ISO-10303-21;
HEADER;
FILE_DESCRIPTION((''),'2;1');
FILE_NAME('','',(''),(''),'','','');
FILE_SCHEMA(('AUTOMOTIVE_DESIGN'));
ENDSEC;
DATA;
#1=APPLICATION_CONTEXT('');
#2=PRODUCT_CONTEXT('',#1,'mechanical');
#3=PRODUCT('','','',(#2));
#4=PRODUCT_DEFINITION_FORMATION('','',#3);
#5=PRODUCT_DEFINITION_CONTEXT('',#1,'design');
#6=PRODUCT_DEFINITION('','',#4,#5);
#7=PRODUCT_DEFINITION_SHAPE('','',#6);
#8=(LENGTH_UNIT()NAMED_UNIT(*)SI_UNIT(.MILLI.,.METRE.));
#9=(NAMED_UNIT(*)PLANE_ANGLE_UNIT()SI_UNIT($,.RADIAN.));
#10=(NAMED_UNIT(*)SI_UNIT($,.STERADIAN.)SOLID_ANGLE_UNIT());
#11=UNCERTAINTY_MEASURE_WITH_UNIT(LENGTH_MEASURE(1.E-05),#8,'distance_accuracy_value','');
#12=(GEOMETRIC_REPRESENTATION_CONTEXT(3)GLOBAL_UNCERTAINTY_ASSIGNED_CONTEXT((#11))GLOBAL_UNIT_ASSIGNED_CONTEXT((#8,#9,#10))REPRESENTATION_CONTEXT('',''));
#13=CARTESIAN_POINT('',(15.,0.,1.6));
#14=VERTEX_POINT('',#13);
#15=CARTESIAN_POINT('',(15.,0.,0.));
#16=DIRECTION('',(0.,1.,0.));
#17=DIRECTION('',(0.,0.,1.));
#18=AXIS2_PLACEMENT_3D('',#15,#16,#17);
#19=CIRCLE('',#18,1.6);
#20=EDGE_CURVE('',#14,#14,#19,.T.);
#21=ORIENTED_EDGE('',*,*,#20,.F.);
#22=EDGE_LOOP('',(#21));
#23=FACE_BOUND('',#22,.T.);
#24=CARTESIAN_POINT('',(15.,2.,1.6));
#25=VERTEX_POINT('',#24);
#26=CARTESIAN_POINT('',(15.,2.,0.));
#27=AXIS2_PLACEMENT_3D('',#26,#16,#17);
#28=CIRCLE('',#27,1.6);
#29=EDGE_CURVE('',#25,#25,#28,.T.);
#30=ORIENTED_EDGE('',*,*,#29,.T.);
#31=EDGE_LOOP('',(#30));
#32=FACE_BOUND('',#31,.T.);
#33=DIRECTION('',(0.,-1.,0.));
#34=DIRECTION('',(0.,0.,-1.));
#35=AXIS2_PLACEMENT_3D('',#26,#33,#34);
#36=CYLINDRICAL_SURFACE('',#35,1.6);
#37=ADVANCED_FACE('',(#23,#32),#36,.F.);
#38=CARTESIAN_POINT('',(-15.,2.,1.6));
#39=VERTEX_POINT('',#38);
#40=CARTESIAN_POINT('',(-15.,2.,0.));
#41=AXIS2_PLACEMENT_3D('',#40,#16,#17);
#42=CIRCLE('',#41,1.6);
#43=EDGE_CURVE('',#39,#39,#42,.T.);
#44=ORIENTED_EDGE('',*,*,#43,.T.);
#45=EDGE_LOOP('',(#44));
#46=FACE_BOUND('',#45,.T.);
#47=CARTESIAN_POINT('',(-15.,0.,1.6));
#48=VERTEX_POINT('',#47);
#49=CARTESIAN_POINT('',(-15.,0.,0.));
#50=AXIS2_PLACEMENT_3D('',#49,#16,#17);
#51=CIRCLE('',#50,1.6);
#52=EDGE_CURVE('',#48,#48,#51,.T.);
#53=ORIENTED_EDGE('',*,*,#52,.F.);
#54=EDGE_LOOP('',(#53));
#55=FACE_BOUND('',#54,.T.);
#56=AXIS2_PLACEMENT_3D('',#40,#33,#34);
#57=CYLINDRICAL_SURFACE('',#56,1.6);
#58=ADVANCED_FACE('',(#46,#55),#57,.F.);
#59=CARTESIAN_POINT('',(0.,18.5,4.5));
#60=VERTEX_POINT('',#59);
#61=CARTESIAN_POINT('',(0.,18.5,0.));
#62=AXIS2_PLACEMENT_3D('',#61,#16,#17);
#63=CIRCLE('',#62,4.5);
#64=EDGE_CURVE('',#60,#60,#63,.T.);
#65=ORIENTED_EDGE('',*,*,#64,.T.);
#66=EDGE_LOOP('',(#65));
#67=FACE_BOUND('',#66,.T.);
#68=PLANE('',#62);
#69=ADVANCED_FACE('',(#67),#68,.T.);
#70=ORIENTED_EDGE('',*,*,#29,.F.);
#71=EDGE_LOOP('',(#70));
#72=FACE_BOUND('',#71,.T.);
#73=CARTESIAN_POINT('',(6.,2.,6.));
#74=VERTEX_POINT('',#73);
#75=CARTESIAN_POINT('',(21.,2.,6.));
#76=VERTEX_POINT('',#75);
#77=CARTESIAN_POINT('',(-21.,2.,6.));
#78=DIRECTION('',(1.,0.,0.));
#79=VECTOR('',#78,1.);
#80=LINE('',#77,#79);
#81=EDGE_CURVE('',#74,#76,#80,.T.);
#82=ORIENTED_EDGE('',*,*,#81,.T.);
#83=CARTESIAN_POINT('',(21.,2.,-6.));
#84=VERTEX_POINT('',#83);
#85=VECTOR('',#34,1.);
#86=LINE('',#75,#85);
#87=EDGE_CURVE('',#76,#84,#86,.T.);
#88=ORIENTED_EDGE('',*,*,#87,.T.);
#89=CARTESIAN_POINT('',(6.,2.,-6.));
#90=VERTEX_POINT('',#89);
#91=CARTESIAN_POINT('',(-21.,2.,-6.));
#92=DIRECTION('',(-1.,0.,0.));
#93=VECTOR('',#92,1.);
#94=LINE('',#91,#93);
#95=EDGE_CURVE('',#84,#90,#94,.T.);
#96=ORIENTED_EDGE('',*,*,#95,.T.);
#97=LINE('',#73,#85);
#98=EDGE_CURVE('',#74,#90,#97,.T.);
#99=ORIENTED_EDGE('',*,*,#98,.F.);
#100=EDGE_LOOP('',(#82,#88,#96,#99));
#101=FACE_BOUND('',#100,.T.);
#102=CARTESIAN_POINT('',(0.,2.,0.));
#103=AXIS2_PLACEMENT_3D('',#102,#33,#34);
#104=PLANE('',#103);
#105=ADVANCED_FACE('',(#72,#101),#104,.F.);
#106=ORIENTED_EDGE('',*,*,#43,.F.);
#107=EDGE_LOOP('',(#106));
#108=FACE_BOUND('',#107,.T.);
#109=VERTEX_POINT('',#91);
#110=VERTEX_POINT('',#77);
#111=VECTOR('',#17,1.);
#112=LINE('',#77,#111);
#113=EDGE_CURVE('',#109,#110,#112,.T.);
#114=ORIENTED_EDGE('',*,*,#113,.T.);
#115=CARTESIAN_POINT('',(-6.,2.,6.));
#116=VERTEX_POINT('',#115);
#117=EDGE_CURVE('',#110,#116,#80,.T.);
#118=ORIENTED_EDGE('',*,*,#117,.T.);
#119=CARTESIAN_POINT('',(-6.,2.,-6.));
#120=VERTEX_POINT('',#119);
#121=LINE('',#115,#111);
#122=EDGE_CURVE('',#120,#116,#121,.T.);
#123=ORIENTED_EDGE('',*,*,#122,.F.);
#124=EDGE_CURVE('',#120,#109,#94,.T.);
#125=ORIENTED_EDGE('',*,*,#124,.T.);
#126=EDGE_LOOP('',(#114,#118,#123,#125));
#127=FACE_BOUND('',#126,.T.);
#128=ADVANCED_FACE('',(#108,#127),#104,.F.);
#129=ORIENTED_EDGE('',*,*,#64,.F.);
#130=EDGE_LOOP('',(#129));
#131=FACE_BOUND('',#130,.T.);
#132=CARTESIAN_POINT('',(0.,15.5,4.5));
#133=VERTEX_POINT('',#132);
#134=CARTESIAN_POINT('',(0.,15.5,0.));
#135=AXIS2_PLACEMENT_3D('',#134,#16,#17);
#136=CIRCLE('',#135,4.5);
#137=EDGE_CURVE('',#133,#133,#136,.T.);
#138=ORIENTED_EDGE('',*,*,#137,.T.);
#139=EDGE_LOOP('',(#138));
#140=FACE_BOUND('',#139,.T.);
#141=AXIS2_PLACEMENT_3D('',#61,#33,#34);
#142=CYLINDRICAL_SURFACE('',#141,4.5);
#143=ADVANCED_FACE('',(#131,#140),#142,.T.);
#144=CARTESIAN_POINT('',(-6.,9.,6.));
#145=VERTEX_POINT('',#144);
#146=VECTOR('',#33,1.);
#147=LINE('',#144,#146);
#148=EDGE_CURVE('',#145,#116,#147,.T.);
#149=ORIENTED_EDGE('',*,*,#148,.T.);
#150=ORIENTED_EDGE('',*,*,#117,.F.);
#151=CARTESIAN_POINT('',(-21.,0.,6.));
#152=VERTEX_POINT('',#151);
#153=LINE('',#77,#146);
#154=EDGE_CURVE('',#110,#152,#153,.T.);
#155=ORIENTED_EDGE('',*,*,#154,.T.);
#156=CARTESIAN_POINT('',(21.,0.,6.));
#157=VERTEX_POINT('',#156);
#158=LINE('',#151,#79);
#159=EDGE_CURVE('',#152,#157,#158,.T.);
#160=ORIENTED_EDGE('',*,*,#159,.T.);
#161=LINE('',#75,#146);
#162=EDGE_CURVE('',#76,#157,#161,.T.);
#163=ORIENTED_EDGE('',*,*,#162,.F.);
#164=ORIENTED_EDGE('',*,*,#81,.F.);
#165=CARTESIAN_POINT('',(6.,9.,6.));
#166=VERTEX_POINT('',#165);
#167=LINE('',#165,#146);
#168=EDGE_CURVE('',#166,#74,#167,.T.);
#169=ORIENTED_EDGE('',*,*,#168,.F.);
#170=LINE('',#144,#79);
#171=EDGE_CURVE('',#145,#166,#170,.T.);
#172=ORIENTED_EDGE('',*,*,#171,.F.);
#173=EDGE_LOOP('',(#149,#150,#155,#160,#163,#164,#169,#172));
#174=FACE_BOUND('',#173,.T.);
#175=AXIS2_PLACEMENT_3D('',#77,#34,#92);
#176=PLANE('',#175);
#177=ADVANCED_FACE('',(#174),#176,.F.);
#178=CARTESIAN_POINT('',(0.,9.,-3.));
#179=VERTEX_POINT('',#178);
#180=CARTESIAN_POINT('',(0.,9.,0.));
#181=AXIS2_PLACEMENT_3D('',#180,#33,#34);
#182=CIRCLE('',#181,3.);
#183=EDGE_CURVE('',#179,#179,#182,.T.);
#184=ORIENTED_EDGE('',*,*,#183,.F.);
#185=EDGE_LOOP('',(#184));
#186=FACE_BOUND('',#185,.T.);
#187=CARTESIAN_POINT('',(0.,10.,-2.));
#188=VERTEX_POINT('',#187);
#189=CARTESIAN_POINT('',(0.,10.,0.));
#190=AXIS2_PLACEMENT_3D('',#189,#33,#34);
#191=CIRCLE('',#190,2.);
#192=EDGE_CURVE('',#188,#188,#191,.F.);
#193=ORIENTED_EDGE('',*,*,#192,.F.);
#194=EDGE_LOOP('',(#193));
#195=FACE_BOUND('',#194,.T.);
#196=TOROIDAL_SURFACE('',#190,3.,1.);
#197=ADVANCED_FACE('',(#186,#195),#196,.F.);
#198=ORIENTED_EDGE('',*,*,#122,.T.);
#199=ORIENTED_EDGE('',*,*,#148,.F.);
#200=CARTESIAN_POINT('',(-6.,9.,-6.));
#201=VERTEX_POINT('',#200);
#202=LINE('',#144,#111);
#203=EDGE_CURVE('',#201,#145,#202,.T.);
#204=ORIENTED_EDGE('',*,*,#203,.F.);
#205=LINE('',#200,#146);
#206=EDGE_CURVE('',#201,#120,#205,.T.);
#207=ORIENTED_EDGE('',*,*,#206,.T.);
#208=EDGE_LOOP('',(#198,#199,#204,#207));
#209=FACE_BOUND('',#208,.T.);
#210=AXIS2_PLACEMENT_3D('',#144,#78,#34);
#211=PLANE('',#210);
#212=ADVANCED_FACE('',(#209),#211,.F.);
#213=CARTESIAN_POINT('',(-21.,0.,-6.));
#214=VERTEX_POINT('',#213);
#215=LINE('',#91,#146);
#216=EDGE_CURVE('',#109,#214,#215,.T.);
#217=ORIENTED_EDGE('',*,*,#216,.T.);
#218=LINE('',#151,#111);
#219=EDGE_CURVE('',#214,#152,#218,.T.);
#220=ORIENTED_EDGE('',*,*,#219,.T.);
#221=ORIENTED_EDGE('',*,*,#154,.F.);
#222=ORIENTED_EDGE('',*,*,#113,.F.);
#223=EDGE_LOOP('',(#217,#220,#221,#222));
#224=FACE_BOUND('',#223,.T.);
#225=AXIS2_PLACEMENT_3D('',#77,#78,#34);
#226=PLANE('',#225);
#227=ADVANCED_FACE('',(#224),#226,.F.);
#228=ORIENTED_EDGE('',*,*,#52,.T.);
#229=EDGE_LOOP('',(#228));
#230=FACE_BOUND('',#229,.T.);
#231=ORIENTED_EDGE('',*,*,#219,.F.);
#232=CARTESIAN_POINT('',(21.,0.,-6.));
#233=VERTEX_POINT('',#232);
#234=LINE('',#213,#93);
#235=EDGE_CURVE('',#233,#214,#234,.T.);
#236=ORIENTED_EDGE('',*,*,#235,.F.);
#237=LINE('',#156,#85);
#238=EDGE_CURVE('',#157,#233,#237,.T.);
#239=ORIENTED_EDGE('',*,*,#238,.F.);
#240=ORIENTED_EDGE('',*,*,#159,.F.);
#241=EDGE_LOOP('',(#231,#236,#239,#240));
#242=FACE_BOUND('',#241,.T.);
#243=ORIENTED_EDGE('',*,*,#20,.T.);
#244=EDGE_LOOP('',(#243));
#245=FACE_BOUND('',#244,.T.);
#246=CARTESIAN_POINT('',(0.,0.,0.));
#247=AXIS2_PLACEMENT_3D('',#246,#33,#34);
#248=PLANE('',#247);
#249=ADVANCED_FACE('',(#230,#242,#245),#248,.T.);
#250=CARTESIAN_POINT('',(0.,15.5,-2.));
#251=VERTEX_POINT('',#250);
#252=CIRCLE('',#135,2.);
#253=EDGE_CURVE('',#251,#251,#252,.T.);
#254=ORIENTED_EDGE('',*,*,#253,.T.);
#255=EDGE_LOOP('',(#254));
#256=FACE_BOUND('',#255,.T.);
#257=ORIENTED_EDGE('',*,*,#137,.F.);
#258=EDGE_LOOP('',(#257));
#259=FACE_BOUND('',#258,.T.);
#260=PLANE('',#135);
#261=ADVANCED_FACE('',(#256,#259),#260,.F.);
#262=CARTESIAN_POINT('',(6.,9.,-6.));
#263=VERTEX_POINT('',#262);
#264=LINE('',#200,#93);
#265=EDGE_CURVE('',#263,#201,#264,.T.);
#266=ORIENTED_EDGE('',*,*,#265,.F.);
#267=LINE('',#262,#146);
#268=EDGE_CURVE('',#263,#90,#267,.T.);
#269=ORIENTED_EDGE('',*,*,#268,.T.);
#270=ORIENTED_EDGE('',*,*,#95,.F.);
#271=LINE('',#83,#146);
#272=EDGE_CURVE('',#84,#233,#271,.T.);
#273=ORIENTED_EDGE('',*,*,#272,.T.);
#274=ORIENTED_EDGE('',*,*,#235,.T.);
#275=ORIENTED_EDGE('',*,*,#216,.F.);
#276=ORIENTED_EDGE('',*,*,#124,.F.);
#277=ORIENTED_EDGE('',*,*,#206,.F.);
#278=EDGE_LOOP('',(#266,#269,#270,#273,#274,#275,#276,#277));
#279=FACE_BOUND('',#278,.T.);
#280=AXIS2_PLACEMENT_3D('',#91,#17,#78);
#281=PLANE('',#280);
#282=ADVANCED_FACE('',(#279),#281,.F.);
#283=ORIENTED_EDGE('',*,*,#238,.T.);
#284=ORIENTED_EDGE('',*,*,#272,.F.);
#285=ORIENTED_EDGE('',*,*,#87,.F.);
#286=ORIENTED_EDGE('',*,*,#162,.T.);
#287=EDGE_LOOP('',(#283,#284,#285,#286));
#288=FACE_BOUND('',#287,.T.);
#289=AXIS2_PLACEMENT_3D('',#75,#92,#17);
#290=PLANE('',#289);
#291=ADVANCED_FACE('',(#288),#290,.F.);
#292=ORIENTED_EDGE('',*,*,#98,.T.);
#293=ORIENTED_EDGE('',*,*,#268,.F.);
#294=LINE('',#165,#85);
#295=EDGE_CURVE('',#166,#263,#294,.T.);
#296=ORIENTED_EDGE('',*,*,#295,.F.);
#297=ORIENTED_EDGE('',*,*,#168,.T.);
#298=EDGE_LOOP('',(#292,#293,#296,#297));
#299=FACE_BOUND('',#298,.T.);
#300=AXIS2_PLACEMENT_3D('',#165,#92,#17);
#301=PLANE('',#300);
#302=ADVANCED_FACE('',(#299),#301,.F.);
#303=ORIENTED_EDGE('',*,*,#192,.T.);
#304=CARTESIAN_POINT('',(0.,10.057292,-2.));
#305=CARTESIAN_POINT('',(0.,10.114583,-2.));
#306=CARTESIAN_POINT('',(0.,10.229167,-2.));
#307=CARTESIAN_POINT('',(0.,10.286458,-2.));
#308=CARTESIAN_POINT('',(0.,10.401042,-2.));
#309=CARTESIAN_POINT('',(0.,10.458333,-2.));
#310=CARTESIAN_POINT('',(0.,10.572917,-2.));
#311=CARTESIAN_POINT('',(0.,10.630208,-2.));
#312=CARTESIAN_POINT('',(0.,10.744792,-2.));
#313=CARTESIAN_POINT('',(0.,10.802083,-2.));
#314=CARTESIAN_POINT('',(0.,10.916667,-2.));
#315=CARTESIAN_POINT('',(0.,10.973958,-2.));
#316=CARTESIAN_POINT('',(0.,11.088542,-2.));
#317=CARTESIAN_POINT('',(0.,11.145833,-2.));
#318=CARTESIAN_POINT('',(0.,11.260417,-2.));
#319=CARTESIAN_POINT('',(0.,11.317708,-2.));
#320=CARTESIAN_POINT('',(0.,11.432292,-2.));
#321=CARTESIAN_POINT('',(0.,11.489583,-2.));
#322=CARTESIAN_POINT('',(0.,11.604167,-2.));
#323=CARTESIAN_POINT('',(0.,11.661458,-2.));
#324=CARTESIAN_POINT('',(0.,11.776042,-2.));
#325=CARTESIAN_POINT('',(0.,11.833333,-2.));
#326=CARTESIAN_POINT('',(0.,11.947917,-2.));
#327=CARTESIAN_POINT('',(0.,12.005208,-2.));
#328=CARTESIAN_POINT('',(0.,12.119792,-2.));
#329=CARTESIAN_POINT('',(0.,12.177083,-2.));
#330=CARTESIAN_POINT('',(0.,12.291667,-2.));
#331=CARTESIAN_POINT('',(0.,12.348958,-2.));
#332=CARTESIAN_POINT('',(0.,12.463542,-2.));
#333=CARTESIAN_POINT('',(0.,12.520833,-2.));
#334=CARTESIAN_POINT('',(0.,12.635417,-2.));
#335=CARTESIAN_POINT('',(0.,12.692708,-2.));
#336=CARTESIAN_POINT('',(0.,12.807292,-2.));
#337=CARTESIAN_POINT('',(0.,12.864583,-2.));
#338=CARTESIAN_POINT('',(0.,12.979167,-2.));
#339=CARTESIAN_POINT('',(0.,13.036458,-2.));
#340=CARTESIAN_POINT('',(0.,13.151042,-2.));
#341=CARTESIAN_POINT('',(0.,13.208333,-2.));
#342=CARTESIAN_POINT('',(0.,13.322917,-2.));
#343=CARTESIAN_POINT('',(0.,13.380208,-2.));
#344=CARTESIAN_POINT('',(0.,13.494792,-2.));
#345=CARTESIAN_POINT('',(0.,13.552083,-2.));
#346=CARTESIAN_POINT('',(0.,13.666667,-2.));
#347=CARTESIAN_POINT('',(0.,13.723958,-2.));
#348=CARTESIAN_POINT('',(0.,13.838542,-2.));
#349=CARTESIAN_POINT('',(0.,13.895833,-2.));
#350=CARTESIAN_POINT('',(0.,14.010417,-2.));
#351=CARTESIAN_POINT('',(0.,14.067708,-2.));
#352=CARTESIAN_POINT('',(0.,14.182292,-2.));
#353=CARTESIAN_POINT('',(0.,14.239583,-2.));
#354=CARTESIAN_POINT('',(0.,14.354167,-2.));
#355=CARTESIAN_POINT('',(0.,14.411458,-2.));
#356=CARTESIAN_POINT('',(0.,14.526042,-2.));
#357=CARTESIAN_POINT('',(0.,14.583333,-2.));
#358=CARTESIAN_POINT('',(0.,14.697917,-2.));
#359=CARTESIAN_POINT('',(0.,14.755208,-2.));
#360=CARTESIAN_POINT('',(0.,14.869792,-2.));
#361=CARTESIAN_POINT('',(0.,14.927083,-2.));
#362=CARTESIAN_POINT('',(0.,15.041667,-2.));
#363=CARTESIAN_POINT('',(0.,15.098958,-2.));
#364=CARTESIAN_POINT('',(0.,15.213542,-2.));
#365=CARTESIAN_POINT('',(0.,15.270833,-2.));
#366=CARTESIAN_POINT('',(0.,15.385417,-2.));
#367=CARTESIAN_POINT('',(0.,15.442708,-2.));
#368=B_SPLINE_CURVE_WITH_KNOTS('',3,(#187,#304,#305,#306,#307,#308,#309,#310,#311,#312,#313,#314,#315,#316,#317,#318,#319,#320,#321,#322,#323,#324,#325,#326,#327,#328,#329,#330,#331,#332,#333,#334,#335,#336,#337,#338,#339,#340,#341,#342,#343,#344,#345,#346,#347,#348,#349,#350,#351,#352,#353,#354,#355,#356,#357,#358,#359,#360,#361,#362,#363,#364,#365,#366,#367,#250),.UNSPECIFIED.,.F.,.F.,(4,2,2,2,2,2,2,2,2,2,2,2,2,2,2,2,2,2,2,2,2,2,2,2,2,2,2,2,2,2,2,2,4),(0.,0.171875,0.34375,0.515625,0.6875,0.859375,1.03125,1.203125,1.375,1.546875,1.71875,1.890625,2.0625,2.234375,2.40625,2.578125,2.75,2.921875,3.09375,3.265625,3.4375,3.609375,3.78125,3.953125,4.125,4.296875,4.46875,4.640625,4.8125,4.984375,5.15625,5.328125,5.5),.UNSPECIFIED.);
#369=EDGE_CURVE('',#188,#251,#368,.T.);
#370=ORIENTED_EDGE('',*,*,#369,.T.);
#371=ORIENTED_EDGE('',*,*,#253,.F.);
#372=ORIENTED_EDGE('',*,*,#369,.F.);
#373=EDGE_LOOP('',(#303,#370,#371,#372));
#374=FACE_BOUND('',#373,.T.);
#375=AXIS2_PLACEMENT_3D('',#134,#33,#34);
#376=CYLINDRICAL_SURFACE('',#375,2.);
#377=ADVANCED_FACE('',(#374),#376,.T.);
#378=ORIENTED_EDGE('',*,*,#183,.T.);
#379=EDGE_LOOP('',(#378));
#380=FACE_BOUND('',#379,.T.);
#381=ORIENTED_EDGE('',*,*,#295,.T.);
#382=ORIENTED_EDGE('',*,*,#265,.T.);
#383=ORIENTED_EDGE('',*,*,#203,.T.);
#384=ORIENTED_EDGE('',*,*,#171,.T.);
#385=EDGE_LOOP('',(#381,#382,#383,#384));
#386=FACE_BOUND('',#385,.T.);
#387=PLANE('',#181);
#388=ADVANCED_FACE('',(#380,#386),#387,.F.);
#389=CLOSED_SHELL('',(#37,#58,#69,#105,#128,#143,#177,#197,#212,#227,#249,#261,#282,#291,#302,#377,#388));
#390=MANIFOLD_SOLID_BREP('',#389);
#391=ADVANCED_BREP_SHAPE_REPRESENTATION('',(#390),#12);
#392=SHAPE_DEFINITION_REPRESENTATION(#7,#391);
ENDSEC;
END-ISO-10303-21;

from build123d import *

# Parameters (mm, degrees)
CROQUIS1_W              = 42
CROQUIS1_H              = 12
CROQUIS1_R              = 1.6
SALIENTE_EXTRUIR1_DEPTH = 2
CROQUIS2_W              = 12
CROQUIS2_H              = 12
SALIENTE_EXTRUIR2_DEPTH = 7
CROQUIS3_R              = 2
SALIENTE_EXTRUIR3_DEPTH = 6.5
CROQUIS4_R              = 4.5
SALIENTE_EXTRUIR4_DEPTH = 3
REDONDEO1_R             = 1


with BuildPart() as part:
    # Croquis1 → Saliente-Extruir1 (new body)
    with BuildSketch(Plane(origin=(0, 0, 0), x_dir=(1, 0, 0), z_dir=(0, 1, 0))):
        Rectangle(CROQUIS1_W, CROQUIS1_H)
        with Locations(Location((-15, 0, 0), (0, 0, 270))):
            Circle(CROQUIS1_R, mode=Mode.SUBTRACT)
        with Locations(Location((15, 0, 0), (0, 0, 270))):
            Circle(CROQUIS1_R, mode=Mode.SUBTRACT)
    extrude(amount=SALIENTE_EXTRUIR1_DEPTH)

    # Croquis2 → Saliente-Extruir2 (add)
    with BuildSketch(Plane(origin=(0, 2, 0), x_dir=(1, 0, 0), z_dir=(0, 1, 0))):
        Rectangle(CROQUIS2_W, CROQUIS2_H)
    extrude(amount=SALIENTE_EXTRUIR2_DEPTH)

    # Croquis3 → Saliente-Extruir3 (add)
    with BuildSketch(Plane(origin=(0, 9, 0), x_dir=(1, 0, 0), z_dir=(0, 1, 0))):
        with Locations(Location((0, 0, 0), (0, 0, 90))):
            Circle(CROQUIS3_R)
    extrude(amount=SALIENTE_EXTRUIR3_DEPTH)

    # Croquis4 → Saliente-Extruir4 (add)
    with BuildSketch(Plane(origin=(0, 15.5, 0), x_dir=(1, 0, 0), z_dir=(0, 1, 0))):
        with Locations(Location((0, 0, 0), (0, 0, 270))):
            Circle(CROQUIS4_R)
    extrude(amount=SALIENTE_EXTRUIR4_DEPTH)

    # Redondeo1
    redondeo1_edges = [part.edges().sort_by_distance(p)[0] for p in [
        (0, 9, 2),
    ]]
    fillet(redondeo1_edges, radius=REDONDEO1_R)


solid = part.part
